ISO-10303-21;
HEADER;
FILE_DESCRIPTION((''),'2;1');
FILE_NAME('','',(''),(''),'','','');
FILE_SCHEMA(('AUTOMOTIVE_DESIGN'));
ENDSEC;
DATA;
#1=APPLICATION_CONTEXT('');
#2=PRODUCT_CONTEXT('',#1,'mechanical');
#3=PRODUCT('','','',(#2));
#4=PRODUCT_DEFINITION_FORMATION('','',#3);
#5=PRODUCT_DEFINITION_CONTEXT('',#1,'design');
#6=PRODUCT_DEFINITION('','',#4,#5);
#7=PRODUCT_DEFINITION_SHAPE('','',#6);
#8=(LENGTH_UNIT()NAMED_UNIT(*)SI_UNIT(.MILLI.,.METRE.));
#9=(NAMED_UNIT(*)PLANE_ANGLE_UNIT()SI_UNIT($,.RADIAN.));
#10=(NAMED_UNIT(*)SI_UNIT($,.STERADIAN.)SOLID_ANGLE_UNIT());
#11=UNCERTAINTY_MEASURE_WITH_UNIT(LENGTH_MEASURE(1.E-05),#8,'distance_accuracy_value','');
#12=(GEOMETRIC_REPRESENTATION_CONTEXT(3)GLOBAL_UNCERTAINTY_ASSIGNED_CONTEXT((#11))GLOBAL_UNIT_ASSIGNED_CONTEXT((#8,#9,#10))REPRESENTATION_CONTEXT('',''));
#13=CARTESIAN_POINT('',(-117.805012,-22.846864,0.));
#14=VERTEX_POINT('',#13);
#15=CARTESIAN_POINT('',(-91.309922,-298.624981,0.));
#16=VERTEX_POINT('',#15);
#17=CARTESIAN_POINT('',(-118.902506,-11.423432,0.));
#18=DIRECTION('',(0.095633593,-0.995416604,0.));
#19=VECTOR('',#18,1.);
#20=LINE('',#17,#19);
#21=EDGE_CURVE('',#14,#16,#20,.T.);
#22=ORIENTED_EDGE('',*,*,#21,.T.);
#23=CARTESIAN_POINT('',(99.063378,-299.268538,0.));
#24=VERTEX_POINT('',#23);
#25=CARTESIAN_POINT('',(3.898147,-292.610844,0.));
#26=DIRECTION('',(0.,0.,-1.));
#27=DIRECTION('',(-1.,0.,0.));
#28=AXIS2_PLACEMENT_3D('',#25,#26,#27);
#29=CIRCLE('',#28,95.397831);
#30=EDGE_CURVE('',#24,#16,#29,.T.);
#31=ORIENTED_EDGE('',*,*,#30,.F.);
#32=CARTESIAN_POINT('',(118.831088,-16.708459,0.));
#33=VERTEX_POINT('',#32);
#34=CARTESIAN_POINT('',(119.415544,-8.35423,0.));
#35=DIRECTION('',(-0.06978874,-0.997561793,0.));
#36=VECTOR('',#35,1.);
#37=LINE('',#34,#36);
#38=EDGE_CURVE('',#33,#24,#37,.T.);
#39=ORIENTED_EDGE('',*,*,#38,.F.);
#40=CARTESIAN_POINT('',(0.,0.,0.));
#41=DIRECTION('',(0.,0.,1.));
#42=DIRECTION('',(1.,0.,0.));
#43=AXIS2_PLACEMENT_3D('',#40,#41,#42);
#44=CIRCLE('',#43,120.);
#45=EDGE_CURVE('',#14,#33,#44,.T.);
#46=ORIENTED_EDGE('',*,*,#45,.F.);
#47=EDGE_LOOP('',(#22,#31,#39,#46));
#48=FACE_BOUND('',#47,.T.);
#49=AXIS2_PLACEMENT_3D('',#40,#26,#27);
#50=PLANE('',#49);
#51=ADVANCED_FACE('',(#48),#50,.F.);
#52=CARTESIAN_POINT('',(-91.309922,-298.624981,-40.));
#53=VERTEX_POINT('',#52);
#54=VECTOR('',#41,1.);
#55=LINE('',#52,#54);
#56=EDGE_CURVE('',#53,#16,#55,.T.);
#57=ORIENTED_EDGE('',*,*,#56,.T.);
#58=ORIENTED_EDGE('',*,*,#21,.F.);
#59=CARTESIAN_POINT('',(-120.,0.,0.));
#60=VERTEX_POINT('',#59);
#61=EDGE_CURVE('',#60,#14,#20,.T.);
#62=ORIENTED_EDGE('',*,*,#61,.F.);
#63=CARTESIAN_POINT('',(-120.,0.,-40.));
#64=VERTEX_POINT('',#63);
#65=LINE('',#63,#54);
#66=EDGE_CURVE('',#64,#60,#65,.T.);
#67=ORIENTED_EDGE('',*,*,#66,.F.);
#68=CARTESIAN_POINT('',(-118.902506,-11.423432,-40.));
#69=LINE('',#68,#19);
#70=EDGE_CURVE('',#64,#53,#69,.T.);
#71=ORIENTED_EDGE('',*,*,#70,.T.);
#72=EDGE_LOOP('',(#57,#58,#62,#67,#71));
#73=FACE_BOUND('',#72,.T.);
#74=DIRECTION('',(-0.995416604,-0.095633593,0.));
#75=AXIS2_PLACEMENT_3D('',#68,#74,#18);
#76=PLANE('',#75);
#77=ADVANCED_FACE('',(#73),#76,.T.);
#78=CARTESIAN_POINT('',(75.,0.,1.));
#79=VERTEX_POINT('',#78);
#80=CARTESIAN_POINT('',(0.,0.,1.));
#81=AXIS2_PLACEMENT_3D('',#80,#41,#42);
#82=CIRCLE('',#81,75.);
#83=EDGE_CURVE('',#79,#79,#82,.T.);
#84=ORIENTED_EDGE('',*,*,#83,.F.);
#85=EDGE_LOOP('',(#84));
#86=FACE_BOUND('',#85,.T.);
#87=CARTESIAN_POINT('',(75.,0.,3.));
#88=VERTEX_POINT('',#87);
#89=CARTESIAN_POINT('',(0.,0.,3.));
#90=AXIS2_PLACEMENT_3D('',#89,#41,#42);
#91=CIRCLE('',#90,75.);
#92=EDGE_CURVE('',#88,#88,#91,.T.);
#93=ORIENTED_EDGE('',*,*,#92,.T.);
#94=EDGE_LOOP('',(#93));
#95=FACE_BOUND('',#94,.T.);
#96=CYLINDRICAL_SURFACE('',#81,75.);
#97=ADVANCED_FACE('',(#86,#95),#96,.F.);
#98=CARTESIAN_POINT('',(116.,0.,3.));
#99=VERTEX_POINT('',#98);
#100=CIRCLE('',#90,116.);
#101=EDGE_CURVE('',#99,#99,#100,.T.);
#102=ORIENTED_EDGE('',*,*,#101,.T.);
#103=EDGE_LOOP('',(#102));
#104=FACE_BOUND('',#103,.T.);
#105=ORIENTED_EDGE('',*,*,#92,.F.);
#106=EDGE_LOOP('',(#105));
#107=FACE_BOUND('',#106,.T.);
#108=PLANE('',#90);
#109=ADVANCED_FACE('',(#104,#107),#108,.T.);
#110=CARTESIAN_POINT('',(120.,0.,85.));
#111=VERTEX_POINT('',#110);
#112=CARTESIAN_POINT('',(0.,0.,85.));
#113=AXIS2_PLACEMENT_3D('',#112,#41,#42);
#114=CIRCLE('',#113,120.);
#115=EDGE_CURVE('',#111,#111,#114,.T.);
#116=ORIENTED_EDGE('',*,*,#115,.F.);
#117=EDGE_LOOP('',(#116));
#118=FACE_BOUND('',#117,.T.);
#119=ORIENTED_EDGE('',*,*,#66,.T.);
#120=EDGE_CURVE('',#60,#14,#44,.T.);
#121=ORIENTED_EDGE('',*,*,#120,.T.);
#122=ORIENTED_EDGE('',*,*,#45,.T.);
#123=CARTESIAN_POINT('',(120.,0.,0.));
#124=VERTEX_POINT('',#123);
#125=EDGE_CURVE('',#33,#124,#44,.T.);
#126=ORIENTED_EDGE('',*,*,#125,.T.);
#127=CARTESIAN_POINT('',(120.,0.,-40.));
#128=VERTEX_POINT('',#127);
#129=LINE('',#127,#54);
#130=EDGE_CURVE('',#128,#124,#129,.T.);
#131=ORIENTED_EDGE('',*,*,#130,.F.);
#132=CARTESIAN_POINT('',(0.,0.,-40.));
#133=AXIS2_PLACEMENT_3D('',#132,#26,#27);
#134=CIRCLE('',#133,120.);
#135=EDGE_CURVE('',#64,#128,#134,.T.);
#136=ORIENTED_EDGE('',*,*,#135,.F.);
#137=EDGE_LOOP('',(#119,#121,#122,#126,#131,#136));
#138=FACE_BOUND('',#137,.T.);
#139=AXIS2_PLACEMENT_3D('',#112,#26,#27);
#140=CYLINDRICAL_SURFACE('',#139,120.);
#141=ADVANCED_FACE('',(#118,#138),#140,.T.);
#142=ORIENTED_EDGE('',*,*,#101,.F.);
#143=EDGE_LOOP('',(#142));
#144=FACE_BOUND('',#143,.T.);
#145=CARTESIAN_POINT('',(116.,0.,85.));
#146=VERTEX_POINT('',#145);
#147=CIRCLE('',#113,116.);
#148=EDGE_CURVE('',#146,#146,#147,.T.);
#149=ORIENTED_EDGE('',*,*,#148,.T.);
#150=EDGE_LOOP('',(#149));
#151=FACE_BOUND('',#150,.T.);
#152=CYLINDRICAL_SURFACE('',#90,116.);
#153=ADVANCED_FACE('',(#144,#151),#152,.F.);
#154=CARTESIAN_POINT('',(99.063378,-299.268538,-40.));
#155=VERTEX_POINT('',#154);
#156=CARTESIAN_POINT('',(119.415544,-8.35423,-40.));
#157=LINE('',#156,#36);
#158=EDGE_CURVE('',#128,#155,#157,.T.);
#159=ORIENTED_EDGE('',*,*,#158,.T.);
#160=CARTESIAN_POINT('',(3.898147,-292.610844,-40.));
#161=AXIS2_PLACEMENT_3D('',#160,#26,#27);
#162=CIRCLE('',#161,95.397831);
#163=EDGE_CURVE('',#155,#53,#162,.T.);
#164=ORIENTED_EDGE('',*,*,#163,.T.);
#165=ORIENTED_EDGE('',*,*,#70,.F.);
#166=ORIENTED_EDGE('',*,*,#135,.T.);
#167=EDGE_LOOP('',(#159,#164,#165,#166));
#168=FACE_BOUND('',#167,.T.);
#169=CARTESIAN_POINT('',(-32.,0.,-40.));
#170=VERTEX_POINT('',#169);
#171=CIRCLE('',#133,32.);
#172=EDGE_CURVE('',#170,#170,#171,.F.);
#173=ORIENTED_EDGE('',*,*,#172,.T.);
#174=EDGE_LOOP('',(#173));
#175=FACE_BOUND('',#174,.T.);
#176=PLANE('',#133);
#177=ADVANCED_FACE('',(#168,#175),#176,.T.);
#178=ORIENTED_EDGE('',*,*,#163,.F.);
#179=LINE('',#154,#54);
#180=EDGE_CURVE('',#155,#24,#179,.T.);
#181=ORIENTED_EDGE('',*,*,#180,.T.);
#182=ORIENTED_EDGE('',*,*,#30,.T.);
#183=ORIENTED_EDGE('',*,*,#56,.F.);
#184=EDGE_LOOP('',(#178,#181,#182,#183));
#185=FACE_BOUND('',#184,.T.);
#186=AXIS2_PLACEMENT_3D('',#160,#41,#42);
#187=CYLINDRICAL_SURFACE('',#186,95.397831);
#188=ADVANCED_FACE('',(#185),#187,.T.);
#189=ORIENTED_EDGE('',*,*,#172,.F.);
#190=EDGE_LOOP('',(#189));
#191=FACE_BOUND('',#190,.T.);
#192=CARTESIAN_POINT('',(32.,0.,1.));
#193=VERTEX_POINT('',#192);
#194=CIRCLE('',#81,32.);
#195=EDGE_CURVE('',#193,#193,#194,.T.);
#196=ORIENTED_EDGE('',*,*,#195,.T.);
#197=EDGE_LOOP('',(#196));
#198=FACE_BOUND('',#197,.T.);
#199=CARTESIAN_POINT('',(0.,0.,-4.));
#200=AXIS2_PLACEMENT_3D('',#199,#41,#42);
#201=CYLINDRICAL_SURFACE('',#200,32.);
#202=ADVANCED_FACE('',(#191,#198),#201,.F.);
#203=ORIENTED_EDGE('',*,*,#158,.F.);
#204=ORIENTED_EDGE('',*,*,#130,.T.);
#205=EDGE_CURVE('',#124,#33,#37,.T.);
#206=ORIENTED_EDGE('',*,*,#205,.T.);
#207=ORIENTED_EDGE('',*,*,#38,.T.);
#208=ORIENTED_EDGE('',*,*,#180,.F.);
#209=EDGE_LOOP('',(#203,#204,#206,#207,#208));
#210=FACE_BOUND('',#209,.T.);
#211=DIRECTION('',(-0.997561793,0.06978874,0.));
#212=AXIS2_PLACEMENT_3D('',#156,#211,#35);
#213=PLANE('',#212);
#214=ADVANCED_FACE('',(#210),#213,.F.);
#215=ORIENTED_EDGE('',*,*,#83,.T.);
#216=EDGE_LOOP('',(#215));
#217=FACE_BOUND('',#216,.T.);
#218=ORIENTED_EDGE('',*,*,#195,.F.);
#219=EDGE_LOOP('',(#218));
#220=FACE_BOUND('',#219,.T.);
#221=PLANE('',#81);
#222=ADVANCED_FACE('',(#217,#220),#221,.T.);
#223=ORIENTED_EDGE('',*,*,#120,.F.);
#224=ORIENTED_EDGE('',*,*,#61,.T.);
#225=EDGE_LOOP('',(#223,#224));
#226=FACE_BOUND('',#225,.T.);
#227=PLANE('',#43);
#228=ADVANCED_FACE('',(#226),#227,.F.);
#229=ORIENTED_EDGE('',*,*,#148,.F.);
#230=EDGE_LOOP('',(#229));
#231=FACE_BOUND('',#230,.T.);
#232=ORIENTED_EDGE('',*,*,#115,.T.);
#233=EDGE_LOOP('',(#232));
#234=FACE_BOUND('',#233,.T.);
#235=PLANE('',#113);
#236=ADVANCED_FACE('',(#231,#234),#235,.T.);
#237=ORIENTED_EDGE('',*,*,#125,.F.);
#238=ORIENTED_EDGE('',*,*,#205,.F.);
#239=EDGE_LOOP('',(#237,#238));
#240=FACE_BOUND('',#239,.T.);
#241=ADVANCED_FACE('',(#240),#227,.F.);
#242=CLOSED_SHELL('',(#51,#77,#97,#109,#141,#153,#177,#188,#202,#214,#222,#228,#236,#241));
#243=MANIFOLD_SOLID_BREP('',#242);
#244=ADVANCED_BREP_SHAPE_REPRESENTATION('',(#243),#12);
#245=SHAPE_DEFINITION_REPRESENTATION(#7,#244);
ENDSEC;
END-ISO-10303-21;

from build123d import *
from build123d.topology import SkipClean

# Parameters (mm, degrees)
SKETCH2_R               = 120
BOSS_EXTRUDE2_DEPTH     = 85
SKETCH3_R               = 116
CUT_EXTRUDE1_DEPTH      = 82
CUT_EXTRUDE5_DEPTH      = 2
CUT_EXTRUDE5_DEPTH_BACK = 2
SKETCH8_R               = 75
SKETCH9_R               = 32
CUT_EXTRUDE6_DEPTH      = 5
BOSS_EXTRUDE4_START     = 40
SKETCH12_R              = 32
BOSS_EXTRUDE4_DEPTH     = 40


with BuildPart() as part:
    # Sketch2 → Boss-Extrude2 (new body)
    with BuildSketch(Plane.XY):
        Circle(SKETCH2_R)
    extrude(amount=BOSS_EXTRUDE2_DEPTH)

    # Sketch3 → Cut-Extrude1 (cut)
    with BuildSketch(Plane.XY.offset(85)):
        Circle(SKETCH3_R)
    extrude(amount=-CUT_EXTRUDE1_DEPTH, mode=Mode.SUBTRACT)

    # Sketch8 → Cut-Extrude5 (cut, two sides: drawn at the far end of the back side and taken through both)
    with BuildSketch(Plane.XY.offset(3).offset(-CUT_EXTRUDE5_DEPTH_BACK)):
        Circle(SKETCH8_R)
    extrude(amount=CUT_EXTRUDE5_DEPTH + CUT_EXTRUDE5_DEPTH_BACK, mode=Mode.SUBTRACT)

    # Sketch9 → Cut-Extrude6 (cut)
    with BuildSketch(Plane.XY.offset(1)):
        Circle(SKETCH9_R)
    extrude(amount=-CUT_EXTRUDE6_DEPTH, mode=Mode.SUBTRACT)

    # Sketch12 → Boss-Extrude4 (add)
    # profile 1 of 2: a face of its own
    with SkipClean():  # the faces are left unmerged after this step: merging them gives an invalid solid
        with BuildSketch(Plane(origin=(0, 0, 0), x_dir=(-1, 0, 0), z_dir=(0, 0, -1)).offset(BOSS_EXTRUDE4_START)):
            with BuildLine():
                ThreePointArc((120, 0), (0, 120), (-120, 0))
                Line((-120, 0), (-118.831087629, -16.70845932))
                ThreePointArc((-118.831087629, -16.70845932), (-3.111785776, -119.959646504), (117.805011812, -22.84686394))
                Line((117.805011812, -22.84686394), (120, 0))
            make_face()
            with Locations(Location((0, 0, 0), (0, 0, 180))):
                Circle(SKETCH12_R, mode=Mode.SUBTRACT)
        # profile 2 of 2: a face of its own
        with BuildSketch(Plane(origin=(0, 0, 0), x_dir=(-1, 0, 0), z_dir=(0, 0, -1)).offset(BOSS_EXTRUDE4_START)):
            with BuildLine():
                ThreePointArc((117.805011812, -22.84686394), (-3.111785776, -119.959646504), (-118.831087629, -16.70845932))
                Line((-118.831087629, -16.70845932), (-99.063378042, -299.268538041))
                ThreePointArc((-99.063378042, -299.268538041), (-3.575656086, -388.008129656), (91.309922092, -298.624981255))
                Line((91.309922092, -298.624981255), (117.805011812, -22.84686394))
            make_face()
        extrude(amount=-BOSS_EXTRUDE4_DEPTH)


solid = part.part
